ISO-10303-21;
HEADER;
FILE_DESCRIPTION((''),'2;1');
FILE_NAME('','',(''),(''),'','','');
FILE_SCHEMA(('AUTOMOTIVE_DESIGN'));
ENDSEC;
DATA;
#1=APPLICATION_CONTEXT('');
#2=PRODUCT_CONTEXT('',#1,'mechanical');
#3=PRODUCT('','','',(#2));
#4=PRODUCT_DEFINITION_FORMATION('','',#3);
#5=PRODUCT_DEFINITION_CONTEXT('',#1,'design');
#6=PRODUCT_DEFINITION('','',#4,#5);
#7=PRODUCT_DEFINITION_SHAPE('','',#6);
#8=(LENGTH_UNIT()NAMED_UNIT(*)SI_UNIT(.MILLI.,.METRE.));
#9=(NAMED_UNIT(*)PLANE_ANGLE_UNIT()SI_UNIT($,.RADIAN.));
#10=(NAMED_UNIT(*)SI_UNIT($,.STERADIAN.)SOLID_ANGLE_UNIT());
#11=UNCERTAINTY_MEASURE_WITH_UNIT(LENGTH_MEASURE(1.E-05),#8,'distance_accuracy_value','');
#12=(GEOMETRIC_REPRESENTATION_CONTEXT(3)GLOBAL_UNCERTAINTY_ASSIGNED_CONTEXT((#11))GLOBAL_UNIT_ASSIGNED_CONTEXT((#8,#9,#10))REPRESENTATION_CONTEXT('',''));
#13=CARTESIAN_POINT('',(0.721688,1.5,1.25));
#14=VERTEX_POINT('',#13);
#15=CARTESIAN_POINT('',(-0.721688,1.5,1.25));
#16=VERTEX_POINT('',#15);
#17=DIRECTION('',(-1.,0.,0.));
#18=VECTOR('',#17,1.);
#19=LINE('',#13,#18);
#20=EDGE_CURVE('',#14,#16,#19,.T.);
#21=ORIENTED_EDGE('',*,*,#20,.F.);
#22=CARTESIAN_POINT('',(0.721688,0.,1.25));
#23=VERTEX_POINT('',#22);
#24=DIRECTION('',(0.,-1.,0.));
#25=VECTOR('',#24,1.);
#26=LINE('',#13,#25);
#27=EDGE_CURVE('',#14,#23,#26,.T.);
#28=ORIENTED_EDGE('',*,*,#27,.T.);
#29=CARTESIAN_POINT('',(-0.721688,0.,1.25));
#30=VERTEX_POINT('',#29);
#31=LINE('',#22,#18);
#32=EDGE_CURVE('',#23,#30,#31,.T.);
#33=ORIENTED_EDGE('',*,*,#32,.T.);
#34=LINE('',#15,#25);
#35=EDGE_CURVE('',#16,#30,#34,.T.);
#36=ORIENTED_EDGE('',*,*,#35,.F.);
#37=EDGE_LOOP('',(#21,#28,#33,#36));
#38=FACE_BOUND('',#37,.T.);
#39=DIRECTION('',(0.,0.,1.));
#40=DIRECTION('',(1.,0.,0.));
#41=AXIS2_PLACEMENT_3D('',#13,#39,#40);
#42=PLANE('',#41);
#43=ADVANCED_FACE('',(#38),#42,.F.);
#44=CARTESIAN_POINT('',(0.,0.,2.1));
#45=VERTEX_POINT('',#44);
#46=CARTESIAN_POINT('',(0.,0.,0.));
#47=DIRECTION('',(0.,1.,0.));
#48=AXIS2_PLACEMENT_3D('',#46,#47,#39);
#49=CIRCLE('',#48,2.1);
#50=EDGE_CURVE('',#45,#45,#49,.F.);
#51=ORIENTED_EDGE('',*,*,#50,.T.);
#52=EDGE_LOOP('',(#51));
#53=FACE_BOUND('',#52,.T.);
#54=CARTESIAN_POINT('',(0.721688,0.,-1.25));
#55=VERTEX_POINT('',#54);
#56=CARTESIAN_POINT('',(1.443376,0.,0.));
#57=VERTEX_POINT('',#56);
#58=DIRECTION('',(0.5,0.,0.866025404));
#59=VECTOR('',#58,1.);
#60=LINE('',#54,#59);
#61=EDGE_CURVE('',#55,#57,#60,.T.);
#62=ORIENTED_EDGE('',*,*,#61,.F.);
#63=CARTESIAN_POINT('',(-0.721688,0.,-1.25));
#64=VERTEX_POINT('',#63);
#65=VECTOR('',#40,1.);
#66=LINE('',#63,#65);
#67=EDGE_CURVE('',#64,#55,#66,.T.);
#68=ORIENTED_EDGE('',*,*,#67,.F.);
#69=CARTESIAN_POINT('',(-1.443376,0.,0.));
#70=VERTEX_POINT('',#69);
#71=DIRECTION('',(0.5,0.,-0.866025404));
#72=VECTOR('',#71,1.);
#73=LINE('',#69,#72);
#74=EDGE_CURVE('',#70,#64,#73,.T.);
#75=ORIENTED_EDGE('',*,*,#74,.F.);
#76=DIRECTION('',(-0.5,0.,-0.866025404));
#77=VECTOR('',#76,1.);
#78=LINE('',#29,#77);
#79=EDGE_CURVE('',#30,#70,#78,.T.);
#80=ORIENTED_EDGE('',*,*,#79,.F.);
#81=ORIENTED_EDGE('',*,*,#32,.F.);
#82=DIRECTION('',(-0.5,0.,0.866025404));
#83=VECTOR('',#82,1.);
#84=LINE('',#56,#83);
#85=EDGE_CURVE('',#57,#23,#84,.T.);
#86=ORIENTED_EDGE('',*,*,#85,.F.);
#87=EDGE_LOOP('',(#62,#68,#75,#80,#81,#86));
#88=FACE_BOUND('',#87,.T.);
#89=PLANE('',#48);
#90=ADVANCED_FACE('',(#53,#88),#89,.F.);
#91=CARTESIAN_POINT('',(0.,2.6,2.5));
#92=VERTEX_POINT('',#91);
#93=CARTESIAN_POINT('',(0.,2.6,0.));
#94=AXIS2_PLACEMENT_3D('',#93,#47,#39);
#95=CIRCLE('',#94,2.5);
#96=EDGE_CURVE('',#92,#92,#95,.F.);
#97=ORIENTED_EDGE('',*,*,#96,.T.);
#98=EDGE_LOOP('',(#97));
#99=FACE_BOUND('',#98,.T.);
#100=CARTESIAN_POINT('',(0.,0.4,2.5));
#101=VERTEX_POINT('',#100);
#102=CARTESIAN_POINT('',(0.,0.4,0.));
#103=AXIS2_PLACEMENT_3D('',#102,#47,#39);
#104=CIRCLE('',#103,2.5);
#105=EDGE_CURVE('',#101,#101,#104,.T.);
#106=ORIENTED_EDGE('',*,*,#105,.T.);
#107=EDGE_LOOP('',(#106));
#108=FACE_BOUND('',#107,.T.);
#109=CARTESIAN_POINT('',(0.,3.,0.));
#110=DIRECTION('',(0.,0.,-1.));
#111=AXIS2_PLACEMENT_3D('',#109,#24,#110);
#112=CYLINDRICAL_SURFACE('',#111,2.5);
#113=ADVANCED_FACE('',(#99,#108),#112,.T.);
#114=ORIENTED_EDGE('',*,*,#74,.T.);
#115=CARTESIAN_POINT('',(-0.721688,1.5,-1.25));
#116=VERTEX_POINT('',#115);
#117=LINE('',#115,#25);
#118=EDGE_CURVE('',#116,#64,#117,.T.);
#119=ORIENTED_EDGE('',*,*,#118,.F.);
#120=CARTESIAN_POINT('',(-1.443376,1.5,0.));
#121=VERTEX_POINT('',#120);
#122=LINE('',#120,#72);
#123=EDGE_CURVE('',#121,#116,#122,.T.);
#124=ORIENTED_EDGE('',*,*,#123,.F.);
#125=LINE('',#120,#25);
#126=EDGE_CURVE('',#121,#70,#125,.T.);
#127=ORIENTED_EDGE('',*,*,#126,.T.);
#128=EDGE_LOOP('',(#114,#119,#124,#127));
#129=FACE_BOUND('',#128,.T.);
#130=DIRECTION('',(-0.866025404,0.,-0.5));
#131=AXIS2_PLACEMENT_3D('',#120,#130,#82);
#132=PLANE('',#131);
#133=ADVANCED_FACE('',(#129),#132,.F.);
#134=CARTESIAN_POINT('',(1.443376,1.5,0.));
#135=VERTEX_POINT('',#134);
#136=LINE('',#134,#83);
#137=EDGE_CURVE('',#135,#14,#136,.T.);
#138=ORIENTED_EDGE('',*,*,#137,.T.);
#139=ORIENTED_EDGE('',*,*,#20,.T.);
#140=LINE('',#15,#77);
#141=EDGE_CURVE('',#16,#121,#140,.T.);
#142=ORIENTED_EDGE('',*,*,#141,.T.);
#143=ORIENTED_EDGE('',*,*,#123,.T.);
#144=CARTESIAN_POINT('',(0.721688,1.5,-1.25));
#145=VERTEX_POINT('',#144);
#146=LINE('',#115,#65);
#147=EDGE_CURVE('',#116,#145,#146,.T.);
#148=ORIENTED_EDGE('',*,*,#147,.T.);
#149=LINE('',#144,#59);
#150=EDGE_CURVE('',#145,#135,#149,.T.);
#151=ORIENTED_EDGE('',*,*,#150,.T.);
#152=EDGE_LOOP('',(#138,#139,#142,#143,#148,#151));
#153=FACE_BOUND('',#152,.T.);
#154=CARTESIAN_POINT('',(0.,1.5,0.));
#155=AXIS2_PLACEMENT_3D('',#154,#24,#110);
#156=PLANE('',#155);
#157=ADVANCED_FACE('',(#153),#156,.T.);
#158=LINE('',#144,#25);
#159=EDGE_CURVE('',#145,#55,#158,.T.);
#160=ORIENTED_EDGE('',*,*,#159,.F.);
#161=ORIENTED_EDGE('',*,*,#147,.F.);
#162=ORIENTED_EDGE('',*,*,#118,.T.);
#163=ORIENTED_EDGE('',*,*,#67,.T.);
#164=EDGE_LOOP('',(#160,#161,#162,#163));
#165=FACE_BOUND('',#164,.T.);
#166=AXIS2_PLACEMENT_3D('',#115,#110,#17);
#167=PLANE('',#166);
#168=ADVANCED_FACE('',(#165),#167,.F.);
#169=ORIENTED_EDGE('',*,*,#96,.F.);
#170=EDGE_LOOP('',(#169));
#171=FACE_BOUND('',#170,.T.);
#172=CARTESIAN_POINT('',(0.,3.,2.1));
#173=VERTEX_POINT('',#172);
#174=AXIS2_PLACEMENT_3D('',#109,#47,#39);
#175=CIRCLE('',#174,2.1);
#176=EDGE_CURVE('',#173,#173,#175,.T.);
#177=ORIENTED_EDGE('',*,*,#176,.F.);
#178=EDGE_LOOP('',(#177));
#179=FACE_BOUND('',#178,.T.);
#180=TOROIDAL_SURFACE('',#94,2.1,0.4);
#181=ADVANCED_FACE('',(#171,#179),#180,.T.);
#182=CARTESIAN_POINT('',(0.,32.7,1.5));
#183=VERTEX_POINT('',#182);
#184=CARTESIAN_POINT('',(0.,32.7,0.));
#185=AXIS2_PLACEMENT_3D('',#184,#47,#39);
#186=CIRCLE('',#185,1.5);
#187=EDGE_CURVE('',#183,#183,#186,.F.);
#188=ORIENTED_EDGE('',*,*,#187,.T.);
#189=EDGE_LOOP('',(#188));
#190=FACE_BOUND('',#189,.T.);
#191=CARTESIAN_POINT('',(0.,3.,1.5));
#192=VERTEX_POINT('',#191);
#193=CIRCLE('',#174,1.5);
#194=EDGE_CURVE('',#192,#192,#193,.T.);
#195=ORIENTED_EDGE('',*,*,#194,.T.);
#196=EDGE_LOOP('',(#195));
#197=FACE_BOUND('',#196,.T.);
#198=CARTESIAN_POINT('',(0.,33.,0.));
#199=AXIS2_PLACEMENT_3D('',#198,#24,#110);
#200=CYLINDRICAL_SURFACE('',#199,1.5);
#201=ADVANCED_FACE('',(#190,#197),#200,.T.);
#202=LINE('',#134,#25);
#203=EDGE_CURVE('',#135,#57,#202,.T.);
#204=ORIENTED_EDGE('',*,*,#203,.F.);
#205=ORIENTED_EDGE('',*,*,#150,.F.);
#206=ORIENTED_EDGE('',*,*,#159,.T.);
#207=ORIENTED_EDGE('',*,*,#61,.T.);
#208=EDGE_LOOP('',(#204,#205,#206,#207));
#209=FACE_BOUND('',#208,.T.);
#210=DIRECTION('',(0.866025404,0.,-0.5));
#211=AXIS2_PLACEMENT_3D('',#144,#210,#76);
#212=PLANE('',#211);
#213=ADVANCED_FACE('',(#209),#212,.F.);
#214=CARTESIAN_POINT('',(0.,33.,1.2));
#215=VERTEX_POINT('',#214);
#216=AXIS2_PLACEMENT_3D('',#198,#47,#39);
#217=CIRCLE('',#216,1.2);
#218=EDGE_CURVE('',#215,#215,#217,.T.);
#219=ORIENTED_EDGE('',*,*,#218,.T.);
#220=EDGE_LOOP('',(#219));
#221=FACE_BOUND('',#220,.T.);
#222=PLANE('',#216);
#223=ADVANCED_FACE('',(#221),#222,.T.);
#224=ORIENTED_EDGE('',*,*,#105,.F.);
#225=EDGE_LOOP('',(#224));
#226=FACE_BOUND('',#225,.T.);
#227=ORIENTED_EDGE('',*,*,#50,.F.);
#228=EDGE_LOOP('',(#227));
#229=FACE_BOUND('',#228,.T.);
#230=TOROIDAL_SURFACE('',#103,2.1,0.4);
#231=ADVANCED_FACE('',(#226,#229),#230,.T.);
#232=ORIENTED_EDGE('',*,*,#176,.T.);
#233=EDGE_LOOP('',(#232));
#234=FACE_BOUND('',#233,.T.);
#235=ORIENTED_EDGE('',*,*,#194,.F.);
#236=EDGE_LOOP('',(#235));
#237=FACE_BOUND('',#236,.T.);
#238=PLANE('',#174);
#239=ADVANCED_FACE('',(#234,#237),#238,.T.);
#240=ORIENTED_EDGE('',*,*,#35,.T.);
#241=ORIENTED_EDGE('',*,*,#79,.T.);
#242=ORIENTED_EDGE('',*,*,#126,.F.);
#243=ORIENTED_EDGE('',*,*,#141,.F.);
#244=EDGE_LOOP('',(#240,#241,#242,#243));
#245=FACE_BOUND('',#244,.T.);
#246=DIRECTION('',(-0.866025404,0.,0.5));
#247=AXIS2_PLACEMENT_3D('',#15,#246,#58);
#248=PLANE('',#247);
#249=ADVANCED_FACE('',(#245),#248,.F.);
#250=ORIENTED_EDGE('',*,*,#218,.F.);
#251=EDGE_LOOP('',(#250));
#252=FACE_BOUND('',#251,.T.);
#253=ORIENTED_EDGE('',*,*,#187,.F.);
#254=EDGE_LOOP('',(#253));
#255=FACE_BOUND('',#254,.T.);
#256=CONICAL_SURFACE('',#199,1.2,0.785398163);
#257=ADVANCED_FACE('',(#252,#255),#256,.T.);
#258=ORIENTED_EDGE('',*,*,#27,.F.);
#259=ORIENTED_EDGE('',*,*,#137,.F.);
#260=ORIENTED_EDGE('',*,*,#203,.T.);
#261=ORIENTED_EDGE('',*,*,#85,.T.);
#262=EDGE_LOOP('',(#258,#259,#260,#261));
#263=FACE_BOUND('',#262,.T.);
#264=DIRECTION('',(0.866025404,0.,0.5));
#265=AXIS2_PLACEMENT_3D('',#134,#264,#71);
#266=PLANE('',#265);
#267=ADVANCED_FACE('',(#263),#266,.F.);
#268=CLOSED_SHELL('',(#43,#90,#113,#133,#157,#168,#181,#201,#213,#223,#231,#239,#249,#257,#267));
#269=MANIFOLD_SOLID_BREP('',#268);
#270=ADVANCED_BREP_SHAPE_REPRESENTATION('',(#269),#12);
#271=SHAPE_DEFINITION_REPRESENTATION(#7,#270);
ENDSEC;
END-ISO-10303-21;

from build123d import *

# Parameters (mm, degrees)
SKETCH1_R           = 2.5
BOSS_EXTRUDE1_DEPTH = 3
SKETCH2_R           = 1.5
BOSS_EXTRUDE2_DEPTH = 30
CHAMFER1_SIZE       = 0.3
FILLET1_R           = 0.4
CUT_EXTRUDE1_DEPTH  = 1.5


with BuildPart() as part:
    # Sketch1 → Boss-Extrude1 (new body)
    with BuildSketch(Plane(origin=(0, 0, 0), x_dir=(1, 0, 0), z_dir=(0, 1, 0))):
        with Locations(Location((0, 0, 0), (0, 0, 270))):
            Circle(SKETCH1_R)
    extrude(amount=BOSS_EXTRUDE1_DEPTH)

    # Sketch2 → Boss-Extrude2 (add)
    with BuildSketch(Plane(origin=(0, 3, 0), x_dir=(1, 0, 0), z_dir=(0, 1, 0))):
        with Locations(Location((0, 0, 0), (0, 0, 270))):
            Circle(SKETCH2_R)
    extrude(amount=BOSS_EXTRUDE2_DEPTH)

    # Chamfer1
    chamfer1_edges = [part.edges().sort_by_distance(p)[0] for p in [
        (0, 33, -1.5),
    ]]
    chamfer(chamfer1_edges, length=CHAMFER1_SIZE)

    # Fillet1
    fillet1_edges = [part.edges().sort_by_distance(p)[0] for p in [
        (0, 0, -2.5),
        (0, 3, -2.5),
    ]]
    fillet(fillet1_edges, radius=FILLET1_R)

    # Sketch3 → Cut-Extrude1 (cut)
    with BuildSketch(Plane.XZ):
        Polygon((1.443375673, 0), (0.721687836, 1.25), (-0.721687836, 1.25), (-1.443375673, 0), (-0.721687836, -1.25), (0.721687836, -1.25), align=None)
    extrude(amount=-CUT_EXTRUDE1_DEPTH, mode=Mode.SUBTRACT)


solid = part.part
